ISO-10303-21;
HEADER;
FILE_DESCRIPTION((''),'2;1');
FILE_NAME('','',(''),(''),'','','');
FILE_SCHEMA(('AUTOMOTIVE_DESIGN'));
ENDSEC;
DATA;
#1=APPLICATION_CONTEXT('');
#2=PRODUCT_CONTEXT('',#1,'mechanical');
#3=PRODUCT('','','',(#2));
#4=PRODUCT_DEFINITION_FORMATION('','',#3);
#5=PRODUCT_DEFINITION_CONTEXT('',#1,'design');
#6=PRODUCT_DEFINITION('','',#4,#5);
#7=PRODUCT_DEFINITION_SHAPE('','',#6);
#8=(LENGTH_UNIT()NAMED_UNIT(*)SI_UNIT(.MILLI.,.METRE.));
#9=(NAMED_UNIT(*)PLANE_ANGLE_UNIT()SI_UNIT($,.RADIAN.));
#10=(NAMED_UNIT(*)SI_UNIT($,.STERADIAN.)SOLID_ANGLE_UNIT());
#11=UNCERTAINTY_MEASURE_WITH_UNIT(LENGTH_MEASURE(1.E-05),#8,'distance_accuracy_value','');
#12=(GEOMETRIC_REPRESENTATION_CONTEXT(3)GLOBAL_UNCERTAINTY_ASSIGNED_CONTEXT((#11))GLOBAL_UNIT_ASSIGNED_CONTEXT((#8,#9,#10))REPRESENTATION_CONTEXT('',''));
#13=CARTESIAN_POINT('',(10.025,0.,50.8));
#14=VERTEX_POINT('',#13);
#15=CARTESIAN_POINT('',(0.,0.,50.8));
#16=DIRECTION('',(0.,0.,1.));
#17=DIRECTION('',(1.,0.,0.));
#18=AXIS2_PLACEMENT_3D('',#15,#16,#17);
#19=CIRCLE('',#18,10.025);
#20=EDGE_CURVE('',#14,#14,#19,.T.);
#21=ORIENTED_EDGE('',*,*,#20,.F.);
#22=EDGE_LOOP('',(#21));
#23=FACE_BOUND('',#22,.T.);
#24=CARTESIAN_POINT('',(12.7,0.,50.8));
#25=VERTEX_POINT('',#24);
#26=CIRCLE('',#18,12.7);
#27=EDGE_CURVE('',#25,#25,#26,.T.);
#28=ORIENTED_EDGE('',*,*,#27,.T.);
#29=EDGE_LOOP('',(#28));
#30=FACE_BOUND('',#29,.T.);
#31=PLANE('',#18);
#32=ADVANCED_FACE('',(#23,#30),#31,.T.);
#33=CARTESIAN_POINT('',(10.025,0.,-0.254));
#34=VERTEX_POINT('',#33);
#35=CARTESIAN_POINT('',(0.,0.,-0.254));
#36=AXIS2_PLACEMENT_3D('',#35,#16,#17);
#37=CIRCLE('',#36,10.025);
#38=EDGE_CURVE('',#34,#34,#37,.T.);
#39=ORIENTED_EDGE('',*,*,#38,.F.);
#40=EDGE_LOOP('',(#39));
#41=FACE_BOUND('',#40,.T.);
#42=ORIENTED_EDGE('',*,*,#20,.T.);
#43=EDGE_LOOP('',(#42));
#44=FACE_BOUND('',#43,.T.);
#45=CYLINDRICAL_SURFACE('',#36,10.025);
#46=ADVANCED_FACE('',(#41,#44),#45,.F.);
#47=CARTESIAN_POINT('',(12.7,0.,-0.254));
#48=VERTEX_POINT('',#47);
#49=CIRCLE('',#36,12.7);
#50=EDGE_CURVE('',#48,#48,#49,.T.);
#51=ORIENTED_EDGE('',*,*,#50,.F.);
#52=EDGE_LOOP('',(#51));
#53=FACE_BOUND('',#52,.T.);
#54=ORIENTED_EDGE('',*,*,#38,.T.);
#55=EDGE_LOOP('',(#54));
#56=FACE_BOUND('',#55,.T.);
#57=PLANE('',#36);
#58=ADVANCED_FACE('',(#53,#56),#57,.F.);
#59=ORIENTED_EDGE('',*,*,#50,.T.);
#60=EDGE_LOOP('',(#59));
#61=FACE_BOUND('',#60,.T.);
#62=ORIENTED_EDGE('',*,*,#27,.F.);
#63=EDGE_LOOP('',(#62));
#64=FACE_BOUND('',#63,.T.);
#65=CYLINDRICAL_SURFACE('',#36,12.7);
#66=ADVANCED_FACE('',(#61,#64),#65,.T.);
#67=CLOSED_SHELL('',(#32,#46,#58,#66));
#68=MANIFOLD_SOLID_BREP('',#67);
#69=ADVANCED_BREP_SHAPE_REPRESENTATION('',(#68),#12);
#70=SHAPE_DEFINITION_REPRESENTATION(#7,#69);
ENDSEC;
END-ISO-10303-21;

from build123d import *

# Parameters (mm, degrees)
SKETCH1_R                = 12.7
SKETCH1_R_2              = 10.025
BOSS_EXTRUDE1_DEPTH      = 50.8
BOSS_EXTRUDE1_DEPTH_BACK = 0.254


with BuildPart() as part:
    # Sketch1 → Boss-Extrude1 (new body, two sides)
    with BuildSketch(Plane(origin=(0, 0, 0), x_dir=(0, 1, 0), z_dir=(0, 0, 1))) as boss_extrude1_sk:
        Circle(SKETCH1_R)
        Circle(SKETCH1_R_2, mode=Mode.SUBTRACT)
    extrude(amount=BOSS_EXTRUDE1_DEPTH)
    extrude(boss_extrude1_sk.sketch, amount=-BOSS_EXTRUDE1_DEPTH_BACK)


solid = part.part
